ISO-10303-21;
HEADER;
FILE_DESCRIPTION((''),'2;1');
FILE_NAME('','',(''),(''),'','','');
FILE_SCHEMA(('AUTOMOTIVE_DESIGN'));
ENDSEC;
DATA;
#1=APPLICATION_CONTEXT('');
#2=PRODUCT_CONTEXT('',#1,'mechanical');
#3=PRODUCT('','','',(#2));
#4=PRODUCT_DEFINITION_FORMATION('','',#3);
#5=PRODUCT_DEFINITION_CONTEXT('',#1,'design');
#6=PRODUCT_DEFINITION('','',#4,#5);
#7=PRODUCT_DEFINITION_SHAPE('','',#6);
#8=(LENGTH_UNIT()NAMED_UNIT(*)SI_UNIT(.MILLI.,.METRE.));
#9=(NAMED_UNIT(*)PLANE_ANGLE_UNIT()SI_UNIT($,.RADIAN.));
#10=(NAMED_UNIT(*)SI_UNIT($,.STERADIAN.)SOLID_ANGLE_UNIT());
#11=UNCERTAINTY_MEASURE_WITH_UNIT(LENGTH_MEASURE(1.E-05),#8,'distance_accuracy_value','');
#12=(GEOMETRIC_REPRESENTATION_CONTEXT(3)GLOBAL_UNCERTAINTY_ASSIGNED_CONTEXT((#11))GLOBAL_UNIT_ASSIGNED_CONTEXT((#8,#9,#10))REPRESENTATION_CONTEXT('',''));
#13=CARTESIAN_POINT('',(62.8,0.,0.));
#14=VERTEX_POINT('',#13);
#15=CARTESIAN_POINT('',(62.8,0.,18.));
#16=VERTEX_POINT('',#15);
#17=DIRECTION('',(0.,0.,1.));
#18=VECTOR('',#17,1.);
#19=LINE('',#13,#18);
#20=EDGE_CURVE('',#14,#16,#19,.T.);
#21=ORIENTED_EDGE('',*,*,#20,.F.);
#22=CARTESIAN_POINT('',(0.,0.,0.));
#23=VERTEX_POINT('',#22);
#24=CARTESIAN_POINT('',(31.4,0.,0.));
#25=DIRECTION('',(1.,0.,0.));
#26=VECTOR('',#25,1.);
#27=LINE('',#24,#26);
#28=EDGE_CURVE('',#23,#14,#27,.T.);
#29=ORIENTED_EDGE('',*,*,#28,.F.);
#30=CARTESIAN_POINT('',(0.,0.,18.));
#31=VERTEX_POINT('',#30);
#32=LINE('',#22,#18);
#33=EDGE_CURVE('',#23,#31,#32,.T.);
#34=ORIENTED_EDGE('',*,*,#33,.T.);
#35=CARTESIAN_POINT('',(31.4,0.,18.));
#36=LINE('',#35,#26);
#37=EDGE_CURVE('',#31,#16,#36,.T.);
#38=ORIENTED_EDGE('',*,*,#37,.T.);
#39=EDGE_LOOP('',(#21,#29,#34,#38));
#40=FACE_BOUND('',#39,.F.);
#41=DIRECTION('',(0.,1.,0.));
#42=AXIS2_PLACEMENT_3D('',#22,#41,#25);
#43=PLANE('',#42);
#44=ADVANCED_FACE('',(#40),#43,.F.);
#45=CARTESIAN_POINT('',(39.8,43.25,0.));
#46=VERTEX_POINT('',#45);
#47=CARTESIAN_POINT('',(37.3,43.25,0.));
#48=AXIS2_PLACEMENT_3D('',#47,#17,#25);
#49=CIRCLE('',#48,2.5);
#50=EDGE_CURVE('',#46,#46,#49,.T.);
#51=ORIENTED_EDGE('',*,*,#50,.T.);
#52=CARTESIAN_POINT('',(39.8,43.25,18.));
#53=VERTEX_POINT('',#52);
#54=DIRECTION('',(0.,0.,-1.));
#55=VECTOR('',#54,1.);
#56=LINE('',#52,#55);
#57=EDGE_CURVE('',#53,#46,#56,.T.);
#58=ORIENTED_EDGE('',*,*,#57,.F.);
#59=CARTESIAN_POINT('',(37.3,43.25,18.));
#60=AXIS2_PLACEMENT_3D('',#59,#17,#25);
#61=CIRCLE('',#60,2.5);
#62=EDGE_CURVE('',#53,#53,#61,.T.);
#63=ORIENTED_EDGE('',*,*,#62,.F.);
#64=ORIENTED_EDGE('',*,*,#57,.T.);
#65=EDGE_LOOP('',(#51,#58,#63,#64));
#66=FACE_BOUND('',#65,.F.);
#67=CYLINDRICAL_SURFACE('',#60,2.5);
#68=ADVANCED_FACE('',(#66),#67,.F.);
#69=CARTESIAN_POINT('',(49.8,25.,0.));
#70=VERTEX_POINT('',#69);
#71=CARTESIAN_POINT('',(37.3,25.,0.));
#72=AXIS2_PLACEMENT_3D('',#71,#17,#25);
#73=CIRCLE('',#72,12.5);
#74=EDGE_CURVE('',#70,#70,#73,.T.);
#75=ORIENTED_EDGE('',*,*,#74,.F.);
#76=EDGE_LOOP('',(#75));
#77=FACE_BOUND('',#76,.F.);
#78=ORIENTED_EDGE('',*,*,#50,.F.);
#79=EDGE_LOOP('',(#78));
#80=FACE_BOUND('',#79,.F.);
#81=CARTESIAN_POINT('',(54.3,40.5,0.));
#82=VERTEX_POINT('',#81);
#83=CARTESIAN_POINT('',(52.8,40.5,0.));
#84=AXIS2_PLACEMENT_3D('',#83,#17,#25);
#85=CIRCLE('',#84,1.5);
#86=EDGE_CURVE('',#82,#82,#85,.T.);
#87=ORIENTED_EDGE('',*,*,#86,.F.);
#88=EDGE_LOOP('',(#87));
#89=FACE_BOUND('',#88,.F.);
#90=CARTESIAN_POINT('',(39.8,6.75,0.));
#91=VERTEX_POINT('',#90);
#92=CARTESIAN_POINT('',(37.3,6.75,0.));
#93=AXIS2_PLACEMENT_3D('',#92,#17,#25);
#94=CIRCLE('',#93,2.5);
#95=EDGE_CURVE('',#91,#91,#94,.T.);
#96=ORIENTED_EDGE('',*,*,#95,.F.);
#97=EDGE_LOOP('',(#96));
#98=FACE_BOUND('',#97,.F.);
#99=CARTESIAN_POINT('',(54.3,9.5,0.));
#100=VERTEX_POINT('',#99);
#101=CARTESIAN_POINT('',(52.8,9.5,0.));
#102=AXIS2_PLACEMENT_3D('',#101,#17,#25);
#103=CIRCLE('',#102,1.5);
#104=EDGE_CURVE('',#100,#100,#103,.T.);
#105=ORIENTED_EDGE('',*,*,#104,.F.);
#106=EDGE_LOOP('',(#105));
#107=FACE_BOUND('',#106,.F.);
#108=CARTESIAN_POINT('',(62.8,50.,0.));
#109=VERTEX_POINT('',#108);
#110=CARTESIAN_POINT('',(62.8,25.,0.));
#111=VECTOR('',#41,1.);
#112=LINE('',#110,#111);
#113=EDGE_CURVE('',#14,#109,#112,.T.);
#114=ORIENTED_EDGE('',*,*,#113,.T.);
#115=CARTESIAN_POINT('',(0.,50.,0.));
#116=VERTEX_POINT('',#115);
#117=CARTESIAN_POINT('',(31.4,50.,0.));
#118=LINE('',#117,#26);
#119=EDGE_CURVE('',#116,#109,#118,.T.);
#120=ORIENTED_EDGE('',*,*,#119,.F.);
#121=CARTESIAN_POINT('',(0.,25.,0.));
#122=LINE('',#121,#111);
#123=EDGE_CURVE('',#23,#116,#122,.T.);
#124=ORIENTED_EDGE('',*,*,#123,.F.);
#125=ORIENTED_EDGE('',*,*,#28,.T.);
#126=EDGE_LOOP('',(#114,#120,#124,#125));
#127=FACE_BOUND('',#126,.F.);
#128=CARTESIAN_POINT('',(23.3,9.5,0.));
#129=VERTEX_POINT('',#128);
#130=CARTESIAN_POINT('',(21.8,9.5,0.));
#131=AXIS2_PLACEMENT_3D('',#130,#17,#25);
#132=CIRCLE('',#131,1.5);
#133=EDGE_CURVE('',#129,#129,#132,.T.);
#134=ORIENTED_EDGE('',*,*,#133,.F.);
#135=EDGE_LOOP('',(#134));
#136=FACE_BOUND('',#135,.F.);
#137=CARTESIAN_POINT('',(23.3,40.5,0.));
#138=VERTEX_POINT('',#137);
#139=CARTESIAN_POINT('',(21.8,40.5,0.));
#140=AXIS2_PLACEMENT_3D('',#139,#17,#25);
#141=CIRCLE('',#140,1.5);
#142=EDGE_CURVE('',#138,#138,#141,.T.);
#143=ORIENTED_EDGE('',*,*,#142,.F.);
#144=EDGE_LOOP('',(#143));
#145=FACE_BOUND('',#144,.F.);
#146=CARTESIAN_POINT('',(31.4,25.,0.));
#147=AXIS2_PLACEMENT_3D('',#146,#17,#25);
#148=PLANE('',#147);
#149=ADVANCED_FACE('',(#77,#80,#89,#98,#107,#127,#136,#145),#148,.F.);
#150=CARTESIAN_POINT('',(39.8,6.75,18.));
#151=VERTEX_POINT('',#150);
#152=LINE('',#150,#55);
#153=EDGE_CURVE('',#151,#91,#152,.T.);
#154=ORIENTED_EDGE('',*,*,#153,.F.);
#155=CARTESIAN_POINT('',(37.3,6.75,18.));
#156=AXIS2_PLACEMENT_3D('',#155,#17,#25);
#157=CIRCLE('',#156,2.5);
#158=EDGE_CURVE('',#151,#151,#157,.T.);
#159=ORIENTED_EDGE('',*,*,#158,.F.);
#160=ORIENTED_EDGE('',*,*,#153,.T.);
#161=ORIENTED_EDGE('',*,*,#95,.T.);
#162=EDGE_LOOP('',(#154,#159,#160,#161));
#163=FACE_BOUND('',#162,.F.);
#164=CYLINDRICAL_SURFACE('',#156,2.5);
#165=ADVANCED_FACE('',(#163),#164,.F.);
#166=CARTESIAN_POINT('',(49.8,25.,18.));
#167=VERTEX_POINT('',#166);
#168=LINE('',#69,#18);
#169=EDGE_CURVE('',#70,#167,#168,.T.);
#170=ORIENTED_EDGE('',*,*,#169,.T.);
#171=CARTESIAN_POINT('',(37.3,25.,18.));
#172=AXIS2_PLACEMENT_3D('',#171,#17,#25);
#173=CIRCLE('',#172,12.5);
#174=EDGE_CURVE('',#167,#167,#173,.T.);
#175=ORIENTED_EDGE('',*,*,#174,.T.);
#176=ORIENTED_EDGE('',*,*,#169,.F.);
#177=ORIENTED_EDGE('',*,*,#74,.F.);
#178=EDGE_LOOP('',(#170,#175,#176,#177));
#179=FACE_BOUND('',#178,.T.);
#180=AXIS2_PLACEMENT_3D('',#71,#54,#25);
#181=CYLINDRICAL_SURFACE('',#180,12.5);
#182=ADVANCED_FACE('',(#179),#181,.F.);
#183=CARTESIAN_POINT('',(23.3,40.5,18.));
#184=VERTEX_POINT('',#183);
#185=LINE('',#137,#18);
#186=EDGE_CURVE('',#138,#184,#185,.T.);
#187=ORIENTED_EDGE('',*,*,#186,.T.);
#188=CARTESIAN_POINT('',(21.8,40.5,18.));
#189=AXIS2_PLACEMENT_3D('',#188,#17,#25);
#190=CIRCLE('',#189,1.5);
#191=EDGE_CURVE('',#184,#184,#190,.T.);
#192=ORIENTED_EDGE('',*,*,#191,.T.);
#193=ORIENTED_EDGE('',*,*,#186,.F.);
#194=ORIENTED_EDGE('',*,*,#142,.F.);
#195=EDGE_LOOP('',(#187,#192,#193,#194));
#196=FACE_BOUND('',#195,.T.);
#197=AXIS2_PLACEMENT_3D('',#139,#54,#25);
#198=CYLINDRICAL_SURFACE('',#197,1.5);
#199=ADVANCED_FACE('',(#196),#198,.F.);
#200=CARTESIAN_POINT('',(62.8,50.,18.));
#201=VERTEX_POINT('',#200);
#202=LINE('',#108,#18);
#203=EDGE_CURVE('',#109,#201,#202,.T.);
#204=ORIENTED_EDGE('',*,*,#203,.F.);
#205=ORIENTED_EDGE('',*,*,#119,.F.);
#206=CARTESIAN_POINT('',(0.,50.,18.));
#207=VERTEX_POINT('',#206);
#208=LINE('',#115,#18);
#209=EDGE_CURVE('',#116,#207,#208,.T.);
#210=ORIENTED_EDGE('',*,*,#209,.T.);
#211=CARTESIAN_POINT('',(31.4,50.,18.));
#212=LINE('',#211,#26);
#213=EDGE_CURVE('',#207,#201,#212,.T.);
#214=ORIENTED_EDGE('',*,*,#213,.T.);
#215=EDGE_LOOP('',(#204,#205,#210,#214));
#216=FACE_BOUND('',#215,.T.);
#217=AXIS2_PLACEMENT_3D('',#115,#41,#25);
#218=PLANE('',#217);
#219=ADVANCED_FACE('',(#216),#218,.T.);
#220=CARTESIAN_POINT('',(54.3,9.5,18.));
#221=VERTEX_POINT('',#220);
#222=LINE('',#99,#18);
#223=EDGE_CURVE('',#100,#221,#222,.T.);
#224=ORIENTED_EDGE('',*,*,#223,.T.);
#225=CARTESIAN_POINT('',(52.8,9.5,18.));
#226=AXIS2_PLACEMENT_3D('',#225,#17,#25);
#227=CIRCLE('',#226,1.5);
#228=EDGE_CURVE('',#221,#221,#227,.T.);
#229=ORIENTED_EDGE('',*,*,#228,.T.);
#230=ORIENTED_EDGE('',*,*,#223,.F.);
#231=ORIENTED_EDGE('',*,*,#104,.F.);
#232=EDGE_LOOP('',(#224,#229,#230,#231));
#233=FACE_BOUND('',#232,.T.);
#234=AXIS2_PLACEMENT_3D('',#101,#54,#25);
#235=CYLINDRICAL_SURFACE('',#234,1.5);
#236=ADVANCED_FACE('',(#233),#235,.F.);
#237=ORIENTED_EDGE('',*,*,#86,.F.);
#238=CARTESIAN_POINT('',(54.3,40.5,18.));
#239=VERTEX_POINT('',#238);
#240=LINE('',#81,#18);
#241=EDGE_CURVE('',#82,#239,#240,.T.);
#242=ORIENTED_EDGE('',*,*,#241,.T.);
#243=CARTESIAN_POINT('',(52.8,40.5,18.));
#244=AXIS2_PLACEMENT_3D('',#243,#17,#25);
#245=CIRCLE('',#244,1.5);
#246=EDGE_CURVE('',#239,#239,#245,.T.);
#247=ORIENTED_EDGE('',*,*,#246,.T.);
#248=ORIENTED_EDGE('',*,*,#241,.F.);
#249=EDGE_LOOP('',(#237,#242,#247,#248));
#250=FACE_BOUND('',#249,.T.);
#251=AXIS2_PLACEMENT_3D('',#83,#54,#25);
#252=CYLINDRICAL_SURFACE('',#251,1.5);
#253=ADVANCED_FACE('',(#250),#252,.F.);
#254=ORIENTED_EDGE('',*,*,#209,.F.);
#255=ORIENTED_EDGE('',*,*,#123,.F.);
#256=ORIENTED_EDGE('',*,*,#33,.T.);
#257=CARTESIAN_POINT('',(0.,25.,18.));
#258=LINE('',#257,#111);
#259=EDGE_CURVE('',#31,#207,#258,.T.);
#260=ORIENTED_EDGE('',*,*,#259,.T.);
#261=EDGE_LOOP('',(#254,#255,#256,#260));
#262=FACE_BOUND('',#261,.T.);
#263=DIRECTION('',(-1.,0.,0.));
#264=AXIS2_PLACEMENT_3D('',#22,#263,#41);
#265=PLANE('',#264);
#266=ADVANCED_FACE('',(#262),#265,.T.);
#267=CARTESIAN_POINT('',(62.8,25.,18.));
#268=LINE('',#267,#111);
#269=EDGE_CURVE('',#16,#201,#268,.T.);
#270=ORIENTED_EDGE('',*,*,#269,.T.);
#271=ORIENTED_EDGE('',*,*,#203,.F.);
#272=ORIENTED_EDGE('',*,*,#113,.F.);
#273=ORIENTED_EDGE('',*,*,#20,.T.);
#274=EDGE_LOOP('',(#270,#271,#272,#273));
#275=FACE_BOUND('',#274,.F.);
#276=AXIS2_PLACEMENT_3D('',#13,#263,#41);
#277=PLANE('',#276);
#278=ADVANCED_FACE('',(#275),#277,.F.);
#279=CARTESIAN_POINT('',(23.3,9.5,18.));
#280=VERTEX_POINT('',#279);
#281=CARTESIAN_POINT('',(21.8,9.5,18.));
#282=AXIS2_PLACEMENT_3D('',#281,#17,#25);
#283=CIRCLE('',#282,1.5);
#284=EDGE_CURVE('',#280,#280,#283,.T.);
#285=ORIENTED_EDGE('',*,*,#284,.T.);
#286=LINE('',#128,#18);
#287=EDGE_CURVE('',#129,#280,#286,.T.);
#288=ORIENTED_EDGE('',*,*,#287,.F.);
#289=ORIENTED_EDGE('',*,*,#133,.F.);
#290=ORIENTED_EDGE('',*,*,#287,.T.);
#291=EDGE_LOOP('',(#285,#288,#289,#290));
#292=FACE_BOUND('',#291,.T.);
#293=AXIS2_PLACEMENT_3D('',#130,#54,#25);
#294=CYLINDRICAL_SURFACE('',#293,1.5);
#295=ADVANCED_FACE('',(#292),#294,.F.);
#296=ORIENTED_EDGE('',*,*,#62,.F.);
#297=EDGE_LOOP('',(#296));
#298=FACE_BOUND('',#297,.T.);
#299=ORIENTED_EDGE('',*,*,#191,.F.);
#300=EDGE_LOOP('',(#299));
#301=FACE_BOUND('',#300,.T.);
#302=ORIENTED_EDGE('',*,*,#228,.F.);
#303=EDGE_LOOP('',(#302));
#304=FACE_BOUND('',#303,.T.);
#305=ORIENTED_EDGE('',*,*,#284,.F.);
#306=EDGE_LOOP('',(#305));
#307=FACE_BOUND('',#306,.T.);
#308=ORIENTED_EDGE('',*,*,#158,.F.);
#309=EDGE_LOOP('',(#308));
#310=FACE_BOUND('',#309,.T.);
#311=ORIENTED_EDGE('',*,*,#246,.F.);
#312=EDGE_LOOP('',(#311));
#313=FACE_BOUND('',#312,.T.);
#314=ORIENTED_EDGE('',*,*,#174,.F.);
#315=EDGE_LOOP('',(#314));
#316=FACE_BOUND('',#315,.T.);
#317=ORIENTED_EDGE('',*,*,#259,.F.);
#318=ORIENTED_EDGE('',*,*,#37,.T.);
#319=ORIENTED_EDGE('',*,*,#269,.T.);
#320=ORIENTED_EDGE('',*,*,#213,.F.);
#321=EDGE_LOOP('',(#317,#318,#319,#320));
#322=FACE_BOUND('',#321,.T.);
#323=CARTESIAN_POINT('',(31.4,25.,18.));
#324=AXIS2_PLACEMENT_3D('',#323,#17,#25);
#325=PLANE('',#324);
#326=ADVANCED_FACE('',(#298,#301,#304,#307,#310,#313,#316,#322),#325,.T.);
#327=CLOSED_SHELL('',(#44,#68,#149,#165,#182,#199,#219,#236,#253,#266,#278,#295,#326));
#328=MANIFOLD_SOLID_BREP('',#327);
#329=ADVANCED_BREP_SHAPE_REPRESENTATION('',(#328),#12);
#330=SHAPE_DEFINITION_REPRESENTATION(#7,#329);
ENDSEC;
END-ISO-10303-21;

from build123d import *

# Parameters (mm, degrees)
F0_W     = 62.8
F0_H     = 50
F0_R     = 1.5
F0_R_2   = 12.5
F1_DEPTH = 18
F2_R     = 2.5
F3_DEPTH = 25


with BuildPart() as f1:
    # F0 (on Top) → F1 (new body)
    with BuildSketch(Plane.XY):
        with Locations((31.4, 25)):
            Rectangle(F0_W, F0_H)
        with Locations((21.8, 9.5)):
            Circle(F0_R, mode=Mode.SUBTRACT)
        with Locations((52.8, 9.5)):
            Circle(F0_R, mode=Mode.SUBTRACT)
        with Locations((21.8, 40.5)):
            Circle(F0_R, mode=Mode.SUBTRACT)
        with Locations((37.3, 25)):
            Circle(F0_R_2, mode=Mode.SUBTRACT)
        with Locations((52.8, 40.5)):
            Circle(F0_R, mode=Mode.SUBTRACT)
    extrude(amount=F1_DEPTH)

    # F2 (on face) → F3 (cut)
    with BuildSketch(Plane.XY.offset(18)):
        with Locations((37.3, 43.25)):
            Circle(F2_R)
        with Locations((37.3, 6.75)):
            Circle(F2_R)
    extrude(amount=-F3_DEPTH, mode=Mode.SUBTRACT)


solid = f1.part
